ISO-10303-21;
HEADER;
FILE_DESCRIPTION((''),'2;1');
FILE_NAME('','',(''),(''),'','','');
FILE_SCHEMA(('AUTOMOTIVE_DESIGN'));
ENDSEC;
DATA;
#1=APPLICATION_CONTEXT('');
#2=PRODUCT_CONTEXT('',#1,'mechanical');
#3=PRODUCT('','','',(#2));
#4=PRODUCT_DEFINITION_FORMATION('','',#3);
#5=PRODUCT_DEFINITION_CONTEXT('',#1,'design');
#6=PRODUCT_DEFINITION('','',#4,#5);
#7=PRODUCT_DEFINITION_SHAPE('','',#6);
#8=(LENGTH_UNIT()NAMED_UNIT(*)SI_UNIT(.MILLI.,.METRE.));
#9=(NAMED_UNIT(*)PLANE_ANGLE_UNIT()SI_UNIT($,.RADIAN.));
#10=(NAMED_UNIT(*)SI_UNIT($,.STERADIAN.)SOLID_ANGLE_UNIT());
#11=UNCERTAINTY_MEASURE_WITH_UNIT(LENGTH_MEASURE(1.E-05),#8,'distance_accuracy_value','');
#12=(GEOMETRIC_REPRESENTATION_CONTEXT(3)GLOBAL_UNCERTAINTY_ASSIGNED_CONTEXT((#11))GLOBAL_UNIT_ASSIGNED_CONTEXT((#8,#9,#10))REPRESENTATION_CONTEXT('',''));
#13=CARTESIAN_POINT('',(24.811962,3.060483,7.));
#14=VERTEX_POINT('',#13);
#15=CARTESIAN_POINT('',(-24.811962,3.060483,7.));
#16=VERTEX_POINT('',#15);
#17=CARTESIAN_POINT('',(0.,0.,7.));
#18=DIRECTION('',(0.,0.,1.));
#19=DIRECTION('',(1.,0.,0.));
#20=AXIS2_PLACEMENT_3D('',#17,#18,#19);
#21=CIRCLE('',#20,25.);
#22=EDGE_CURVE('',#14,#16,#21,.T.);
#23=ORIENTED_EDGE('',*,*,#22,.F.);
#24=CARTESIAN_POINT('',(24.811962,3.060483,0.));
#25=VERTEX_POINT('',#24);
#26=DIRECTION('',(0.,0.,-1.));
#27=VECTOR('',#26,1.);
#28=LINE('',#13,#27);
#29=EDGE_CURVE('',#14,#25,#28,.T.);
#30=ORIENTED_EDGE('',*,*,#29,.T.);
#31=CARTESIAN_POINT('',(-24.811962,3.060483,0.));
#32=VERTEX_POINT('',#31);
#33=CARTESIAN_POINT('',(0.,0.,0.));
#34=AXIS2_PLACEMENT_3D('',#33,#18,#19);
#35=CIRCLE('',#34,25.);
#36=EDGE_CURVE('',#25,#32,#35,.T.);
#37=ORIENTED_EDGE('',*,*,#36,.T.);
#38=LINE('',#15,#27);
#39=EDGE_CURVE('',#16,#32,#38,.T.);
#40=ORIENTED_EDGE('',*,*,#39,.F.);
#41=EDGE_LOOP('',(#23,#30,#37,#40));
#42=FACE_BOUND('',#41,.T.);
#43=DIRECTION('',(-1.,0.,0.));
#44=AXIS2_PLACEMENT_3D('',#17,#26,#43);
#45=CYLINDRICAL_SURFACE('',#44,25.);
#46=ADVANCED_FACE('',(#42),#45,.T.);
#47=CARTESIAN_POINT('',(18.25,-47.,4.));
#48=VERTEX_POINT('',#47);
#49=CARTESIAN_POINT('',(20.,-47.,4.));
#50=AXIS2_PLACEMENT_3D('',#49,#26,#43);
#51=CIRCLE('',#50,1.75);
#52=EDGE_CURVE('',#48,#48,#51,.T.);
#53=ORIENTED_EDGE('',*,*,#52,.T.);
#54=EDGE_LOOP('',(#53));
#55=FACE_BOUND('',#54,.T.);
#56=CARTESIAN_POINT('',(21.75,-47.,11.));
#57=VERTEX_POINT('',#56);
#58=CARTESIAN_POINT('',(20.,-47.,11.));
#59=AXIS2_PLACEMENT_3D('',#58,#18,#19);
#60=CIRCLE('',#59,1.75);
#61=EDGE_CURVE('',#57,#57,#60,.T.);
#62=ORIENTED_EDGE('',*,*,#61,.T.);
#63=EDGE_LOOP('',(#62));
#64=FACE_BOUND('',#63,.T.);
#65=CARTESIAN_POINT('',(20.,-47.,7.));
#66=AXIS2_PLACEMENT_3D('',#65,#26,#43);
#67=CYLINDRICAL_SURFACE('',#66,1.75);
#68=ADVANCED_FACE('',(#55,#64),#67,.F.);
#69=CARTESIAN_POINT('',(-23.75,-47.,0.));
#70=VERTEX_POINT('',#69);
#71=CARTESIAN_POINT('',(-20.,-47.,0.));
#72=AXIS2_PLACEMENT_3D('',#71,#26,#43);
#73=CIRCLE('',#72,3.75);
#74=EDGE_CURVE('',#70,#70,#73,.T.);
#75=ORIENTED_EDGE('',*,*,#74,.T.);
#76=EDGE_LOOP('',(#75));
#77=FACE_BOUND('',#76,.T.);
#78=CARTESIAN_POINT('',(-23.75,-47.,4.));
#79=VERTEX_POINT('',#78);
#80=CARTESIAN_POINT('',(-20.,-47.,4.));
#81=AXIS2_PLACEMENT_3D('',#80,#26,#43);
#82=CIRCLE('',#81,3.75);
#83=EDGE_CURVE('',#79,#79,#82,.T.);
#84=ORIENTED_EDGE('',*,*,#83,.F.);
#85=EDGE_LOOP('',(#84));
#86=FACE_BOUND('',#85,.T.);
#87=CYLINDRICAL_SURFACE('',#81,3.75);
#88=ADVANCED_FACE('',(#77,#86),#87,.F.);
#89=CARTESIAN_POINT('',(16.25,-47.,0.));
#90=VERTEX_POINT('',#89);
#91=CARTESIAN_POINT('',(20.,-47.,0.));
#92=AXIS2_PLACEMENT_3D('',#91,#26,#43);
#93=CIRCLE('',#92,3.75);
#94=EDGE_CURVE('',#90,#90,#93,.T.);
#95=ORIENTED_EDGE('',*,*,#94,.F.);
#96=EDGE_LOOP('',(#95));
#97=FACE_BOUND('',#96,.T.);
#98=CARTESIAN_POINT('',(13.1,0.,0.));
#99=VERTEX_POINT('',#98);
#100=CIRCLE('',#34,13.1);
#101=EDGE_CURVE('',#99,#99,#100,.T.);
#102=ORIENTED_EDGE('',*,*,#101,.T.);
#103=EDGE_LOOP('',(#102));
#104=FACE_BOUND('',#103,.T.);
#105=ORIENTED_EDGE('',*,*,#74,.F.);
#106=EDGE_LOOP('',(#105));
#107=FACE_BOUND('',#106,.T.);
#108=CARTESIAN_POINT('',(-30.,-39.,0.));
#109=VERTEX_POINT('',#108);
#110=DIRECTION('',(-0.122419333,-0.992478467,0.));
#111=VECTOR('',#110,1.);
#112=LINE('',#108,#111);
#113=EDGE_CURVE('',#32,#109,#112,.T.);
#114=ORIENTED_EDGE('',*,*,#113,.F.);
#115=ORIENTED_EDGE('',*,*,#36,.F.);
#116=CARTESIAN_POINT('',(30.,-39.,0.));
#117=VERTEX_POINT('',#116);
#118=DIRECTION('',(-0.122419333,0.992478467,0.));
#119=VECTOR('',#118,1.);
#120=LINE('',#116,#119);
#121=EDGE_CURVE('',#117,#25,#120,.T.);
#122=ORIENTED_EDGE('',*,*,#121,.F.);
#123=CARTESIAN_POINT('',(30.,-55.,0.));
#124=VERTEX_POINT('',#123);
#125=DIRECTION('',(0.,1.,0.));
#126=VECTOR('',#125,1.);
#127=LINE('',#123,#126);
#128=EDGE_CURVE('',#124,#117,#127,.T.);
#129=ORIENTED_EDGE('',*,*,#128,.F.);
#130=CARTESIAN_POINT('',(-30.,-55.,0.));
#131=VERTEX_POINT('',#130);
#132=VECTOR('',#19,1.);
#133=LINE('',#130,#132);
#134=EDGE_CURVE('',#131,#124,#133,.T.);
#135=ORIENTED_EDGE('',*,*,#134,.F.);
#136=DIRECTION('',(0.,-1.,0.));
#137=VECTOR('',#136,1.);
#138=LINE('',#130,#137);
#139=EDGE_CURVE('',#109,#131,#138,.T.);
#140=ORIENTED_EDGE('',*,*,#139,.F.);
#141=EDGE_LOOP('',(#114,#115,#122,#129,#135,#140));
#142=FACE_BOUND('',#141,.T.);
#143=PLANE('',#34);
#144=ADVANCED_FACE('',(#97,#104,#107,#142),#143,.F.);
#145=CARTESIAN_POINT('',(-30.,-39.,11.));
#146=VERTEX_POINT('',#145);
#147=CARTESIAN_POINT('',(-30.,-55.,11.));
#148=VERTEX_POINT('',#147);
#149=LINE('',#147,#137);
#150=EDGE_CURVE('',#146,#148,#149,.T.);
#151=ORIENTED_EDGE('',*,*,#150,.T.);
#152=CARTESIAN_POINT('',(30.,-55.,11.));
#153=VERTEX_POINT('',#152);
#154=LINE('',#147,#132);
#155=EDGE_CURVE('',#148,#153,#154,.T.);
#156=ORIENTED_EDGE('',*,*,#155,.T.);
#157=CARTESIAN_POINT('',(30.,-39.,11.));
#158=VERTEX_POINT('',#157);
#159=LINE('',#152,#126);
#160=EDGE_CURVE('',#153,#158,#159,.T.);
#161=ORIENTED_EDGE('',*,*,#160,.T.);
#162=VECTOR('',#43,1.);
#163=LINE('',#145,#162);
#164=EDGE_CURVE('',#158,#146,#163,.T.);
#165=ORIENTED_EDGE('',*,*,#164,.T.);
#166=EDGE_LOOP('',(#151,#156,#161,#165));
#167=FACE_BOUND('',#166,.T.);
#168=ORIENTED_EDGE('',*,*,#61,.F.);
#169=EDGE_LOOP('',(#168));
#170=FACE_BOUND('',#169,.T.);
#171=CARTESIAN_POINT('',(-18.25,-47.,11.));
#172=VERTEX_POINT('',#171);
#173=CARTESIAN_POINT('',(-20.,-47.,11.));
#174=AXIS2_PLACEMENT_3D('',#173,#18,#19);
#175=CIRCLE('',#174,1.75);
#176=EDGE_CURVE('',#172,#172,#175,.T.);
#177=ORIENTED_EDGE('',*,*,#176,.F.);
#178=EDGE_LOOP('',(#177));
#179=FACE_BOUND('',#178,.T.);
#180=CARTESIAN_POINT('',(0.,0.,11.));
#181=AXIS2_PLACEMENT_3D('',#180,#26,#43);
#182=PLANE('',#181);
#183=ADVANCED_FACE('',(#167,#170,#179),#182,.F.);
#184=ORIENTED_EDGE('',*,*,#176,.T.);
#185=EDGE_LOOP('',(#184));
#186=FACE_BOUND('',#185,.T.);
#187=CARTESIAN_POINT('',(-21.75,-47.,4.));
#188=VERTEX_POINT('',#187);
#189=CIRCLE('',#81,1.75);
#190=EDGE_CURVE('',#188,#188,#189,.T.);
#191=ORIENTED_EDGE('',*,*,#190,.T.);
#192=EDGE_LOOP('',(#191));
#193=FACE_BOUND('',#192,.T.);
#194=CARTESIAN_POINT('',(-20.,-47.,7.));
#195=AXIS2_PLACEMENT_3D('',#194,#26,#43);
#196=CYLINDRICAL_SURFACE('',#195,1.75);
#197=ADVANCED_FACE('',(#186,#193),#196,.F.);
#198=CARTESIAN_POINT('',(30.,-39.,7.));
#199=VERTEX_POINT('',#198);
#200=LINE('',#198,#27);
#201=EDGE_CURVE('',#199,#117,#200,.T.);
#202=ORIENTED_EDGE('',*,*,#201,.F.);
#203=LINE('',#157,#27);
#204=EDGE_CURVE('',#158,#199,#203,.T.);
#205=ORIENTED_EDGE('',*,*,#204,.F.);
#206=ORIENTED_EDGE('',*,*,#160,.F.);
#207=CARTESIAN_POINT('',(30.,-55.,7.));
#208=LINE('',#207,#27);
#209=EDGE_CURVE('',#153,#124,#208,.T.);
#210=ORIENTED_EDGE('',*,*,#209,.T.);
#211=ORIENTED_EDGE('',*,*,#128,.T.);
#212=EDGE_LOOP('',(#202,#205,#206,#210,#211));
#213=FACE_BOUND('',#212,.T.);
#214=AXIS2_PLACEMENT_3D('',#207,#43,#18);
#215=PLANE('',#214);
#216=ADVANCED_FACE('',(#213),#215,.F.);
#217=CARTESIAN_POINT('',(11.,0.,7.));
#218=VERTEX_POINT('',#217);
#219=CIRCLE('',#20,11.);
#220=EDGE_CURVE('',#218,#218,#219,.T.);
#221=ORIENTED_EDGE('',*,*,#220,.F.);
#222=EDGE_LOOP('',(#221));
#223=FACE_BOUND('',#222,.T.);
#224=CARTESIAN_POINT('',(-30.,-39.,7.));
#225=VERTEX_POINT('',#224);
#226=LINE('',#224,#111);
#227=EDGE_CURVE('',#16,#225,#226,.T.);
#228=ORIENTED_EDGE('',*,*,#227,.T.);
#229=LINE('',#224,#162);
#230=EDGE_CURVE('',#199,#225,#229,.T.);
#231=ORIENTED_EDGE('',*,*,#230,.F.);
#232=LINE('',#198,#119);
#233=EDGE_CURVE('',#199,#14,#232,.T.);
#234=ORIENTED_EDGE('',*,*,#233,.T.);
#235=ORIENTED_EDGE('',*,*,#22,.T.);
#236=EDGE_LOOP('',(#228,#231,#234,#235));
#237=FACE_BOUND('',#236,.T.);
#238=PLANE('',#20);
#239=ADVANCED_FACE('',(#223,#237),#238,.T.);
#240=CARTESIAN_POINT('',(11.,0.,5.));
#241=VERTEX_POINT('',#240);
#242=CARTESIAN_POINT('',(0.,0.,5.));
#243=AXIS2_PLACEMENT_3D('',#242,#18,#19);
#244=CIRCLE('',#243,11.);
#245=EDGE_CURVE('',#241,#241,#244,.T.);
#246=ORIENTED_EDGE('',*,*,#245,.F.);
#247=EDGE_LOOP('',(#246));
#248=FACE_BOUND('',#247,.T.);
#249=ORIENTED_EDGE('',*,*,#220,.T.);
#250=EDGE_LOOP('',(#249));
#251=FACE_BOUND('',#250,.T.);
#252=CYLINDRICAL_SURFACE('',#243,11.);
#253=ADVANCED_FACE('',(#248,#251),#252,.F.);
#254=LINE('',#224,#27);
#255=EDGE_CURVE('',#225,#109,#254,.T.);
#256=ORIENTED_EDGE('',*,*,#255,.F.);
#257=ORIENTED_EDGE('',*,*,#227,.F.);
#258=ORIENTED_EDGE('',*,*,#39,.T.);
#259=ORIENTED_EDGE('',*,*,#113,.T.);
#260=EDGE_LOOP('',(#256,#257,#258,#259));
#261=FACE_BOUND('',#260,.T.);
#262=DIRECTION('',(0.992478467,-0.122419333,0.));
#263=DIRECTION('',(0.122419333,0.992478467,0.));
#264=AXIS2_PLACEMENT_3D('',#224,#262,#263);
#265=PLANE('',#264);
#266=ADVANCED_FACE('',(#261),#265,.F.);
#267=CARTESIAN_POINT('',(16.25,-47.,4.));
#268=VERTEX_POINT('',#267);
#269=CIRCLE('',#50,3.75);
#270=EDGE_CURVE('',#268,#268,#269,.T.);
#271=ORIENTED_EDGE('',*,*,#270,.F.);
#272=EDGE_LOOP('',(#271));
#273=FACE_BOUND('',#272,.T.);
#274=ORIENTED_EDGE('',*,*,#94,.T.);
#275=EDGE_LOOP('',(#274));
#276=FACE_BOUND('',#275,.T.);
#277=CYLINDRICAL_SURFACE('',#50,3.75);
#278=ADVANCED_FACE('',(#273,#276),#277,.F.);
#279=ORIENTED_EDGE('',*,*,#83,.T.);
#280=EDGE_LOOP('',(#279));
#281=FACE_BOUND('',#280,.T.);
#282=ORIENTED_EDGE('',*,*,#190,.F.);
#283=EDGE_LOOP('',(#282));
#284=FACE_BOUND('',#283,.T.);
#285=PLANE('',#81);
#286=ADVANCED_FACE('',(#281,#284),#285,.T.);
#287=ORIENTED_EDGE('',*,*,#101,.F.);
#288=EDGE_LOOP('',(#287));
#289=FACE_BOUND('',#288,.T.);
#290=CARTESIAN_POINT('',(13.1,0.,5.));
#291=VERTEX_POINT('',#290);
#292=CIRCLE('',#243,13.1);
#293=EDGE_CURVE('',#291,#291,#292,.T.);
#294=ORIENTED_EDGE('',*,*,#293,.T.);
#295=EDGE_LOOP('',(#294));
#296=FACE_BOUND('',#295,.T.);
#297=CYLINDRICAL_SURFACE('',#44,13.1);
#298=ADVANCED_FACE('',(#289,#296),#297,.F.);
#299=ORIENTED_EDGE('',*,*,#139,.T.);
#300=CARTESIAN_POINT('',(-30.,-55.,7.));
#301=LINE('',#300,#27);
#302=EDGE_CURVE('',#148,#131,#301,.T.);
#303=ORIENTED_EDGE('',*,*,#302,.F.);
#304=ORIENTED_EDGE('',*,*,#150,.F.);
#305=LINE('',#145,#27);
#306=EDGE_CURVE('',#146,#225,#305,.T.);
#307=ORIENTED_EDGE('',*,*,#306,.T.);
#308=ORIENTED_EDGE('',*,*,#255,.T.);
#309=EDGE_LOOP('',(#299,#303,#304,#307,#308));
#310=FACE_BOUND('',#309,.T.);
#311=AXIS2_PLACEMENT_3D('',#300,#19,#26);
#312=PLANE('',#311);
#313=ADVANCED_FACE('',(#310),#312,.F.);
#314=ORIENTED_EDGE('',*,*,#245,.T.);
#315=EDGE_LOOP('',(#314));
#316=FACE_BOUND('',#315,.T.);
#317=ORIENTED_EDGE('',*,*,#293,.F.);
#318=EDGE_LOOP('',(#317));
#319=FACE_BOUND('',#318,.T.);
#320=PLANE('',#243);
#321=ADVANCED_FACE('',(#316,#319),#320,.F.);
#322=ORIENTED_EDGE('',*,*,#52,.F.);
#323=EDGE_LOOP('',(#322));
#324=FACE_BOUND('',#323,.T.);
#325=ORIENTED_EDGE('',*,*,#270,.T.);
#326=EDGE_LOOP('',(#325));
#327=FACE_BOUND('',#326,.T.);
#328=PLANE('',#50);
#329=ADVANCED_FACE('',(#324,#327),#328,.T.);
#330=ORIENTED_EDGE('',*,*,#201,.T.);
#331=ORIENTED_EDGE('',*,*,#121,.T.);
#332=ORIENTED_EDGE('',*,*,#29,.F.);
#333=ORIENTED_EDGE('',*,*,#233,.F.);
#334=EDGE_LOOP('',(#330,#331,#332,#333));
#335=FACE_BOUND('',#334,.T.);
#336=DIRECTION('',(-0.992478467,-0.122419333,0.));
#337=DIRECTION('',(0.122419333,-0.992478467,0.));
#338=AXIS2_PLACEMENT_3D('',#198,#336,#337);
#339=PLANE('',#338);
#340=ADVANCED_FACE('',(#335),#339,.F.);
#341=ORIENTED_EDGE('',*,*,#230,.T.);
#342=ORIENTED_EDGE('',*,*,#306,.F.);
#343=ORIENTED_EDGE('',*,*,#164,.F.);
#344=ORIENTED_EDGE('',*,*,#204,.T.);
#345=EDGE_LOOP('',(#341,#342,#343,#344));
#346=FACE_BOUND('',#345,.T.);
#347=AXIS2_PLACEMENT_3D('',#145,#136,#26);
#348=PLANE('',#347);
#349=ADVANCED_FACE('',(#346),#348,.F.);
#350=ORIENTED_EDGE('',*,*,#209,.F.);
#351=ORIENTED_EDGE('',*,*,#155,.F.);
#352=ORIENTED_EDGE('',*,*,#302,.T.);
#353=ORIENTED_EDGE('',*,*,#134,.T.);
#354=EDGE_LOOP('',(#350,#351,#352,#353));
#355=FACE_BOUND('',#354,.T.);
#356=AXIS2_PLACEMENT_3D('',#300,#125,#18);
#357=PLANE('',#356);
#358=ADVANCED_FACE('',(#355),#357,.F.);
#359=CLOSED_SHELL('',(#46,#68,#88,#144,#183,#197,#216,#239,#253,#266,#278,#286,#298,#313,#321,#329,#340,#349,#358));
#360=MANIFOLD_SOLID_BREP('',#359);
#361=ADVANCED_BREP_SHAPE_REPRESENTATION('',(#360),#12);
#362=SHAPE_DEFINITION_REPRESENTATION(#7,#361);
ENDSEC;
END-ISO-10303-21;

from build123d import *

# Parameters (mm, degrees)
SKETCH1_R           = 13.1
SKETCH1_R_2         = 1.75
BOSS_EXTRUDE1_DEPTH = 7
SKETCH2_R           = 13.1
SKETCH2_R_2         = 11
BOSS_EXTRUDE2_DEPTH = 2
SKETCH3_W           = 60
SKETCH3_H           = 16
SKETCH3_R           = 1.75
BOSS_EXTRUDE3_DEPTH = 4
SKETCH4_R           = 3.75
CUT_EXTRUDE1_DEPTH  = 4


with BuildPart() as part:
    # Sketch1 → Boss-Extrude1 (new body)
    with BuildSketch(Plane.XY):
        with BuildLine():
            Line((-30, -55), (30, -55))
            Line((30, -55), (30, -39))
            Line((30, -39), (24.811961667, 3.060483334))
            ThreePointArc((24.811961667, 3.060483334), (0, 25), (-24.811961667, 3.060483334))
            Line((-24.811961667, 3.060483334), (-30, -39))
            Line((-30, -39), (-30, -55))
        make_face()
        Circle(SKETCH1_R, mode=Mode.SUBTRACT)
        with Locations((-20, -47)):
            Circle(SKETCH1_R_2, mode=Mode.SUBTRACT)
        with Locations((20, -47)):
            Circle(SKETCH1_R_2, mode=Mode.SUBTRACT)
    extrude(amount=BOSS_EXTRUDE1_DEPTH)

    # Sketch2 → Boss-Extrude2 (add)
    with BuildSketch(Plane.XY.offset(7)):
        Circle(SKETCH2_R)
        Circle(SKETCH2_R_2, mode=Mode.SUBTRACT)
    extrude(amount=-BOSS_EXTRUDE2_DEPTH)

    # Sketch3 → Boss-Extrude3 (add)
    with BuildSketch(Plane.XY.offset(7)):
        with Locations((0, -47)):
            Rectangle(SKETCH3_W, SKETCH3_H)
        with Locations((20, -47)):
            Circle(SKETCH3_R, mode=Mode.SUBTRACT)
        with Locations((-20, -47)):
            Circle(SKETCH3_R, mode=Mode.SUBTRACT)
    extrude(amount=BOSS_EXTRUDE3_DEPTH)

    # Sketch4 → Cut-Extrude1 (cut)
    with BuildSketch(Plane(origin=(0, 0, 0), x_dir=(-1, 0, 0), z_dir=(0, 0, -1))):
        with Locations((-20, -47)):
            Circle(SKETCH4_R)
        with Locations((20, -47)):
            Circle(SKETCH4_R)
    extrude(amount=-CUT_EXTRUDE1_DEPTH, mode=Mode.SUBTRACT)


solid = part.part
